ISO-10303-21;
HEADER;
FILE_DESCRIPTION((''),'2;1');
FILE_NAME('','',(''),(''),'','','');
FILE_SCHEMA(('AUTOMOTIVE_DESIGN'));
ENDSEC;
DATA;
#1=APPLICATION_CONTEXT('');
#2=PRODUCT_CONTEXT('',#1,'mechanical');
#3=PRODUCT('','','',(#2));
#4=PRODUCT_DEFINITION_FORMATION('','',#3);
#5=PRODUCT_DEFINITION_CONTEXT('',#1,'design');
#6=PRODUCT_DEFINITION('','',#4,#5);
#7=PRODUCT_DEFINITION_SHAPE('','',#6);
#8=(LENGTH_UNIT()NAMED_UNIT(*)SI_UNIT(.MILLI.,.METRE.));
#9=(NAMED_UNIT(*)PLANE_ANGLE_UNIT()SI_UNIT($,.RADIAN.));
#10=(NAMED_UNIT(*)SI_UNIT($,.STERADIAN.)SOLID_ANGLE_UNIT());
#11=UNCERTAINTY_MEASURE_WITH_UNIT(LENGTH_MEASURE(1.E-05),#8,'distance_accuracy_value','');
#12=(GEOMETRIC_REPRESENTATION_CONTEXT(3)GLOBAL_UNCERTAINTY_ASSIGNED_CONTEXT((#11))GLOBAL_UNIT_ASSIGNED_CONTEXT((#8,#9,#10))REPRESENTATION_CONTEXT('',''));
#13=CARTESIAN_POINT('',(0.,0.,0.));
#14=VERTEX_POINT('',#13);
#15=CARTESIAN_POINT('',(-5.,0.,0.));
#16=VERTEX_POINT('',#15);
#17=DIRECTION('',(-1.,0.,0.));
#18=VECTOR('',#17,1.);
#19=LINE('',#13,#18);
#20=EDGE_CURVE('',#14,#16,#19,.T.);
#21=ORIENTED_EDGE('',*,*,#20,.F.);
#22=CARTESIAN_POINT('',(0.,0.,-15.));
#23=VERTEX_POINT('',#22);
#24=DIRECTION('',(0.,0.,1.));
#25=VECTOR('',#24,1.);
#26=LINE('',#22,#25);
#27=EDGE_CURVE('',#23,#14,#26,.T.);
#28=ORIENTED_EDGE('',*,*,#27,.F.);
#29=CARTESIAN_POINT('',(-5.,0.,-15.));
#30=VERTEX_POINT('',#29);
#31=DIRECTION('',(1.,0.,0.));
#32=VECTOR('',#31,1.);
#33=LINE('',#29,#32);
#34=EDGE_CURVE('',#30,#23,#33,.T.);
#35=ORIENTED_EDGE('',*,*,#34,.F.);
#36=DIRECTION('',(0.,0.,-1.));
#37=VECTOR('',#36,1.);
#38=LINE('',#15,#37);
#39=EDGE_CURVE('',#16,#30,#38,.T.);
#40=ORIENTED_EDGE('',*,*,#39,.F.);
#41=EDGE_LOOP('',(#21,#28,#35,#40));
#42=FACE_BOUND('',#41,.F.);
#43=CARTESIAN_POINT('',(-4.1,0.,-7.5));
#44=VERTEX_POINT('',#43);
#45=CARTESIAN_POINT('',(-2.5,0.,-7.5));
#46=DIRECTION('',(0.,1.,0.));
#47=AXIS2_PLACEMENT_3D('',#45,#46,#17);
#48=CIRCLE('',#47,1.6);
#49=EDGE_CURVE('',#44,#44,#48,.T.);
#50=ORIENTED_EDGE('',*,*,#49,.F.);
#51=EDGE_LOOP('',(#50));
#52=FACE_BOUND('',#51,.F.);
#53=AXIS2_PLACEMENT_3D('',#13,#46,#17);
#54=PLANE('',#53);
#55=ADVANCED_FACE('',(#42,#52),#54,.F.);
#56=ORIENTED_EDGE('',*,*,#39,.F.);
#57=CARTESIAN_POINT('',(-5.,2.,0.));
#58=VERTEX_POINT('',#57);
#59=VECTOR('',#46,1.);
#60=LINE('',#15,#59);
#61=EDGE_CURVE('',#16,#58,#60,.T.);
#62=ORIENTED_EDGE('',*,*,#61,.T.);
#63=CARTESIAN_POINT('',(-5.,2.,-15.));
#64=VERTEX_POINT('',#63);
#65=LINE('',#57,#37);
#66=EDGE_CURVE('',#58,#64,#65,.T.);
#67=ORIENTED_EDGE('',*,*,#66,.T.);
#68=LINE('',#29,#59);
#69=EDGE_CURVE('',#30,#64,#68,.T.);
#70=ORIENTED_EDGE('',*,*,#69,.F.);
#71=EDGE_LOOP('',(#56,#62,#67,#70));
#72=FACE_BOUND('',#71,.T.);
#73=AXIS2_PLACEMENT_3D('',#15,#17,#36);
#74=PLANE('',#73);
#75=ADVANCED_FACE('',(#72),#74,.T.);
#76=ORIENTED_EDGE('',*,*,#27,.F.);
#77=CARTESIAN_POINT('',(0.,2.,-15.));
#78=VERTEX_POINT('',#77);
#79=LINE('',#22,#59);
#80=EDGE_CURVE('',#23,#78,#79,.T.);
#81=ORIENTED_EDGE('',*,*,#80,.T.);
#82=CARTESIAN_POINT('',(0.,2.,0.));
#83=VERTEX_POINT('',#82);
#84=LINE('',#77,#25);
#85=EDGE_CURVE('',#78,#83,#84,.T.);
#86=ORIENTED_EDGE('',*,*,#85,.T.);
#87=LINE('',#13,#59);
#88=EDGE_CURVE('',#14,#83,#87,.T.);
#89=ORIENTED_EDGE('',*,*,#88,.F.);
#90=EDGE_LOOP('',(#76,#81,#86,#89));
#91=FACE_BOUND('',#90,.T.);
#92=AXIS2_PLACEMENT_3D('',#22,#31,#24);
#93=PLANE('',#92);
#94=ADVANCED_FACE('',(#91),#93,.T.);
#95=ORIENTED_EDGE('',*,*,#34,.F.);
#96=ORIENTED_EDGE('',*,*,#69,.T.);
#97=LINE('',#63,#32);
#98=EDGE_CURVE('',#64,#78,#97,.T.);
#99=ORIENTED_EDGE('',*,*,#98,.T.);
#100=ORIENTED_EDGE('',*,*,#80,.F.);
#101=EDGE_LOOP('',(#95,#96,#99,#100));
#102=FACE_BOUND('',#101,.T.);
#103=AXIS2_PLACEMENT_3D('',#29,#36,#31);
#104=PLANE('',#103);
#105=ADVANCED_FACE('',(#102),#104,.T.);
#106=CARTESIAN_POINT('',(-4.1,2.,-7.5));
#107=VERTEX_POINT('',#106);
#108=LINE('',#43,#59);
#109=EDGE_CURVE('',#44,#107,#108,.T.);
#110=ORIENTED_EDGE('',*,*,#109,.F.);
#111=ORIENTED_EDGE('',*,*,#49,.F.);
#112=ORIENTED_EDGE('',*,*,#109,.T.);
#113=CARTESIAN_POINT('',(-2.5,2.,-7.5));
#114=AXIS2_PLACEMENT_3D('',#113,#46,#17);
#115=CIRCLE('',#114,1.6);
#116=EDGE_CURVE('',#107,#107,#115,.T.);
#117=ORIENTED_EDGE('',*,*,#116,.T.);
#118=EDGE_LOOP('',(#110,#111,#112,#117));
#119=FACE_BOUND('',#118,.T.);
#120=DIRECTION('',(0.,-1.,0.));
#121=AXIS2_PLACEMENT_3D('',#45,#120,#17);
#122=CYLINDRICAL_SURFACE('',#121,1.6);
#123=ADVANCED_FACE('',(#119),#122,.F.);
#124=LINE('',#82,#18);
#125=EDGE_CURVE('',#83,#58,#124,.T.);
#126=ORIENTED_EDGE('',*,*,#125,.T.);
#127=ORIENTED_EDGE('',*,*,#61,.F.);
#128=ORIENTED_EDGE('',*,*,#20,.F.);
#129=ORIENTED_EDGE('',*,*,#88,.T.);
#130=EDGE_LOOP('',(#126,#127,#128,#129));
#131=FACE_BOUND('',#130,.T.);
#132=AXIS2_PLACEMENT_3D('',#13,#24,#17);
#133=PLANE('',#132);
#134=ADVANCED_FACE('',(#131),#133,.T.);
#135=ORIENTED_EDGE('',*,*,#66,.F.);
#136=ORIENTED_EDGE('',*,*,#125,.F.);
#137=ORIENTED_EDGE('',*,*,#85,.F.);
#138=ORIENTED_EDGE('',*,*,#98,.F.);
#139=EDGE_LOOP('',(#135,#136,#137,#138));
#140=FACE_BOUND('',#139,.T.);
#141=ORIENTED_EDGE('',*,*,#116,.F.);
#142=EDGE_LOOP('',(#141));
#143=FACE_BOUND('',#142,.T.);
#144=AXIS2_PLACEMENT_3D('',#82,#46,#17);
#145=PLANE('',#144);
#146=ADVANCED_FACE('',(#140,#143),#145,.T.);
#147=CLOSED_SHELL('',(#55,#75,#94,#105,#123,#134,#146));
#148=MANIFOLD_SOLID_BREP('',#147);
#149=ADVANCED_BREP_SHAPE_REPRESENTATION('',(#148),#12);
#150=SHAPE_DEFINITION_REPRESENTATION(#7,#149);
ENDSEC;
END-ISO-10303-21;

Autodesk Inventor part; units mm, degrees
ref_plane "YZ Plane" through (0, 0, 0) normal (1, 0, 0) x (0, 1, 0)
ref_plane "XZ Plane" through (0, 0, 0) normal (0, 1, 0) x (-1, 0, 0)
ref_plane "XY Plane" through (0, 0, 0) normal (0, 0, 1) x (1, 0, 0)
sketch "Sketch1" plane through (0, 0, 0) normal (0, 1, 0) x (-1, 0, 0)
  line L0 (0, 0) -> (5, 0)
  line L1 (5, 0) -> (5, -15)
  line L2 (5, -15) -> (0, -15)
  line L3 (0, -15) -> (0, 0)
  circle A0 centre (2.5, -7.5) radius 1.6
  dimension "d0" = 5
  dimension "d1" = 15
  dimension "d2" = 3.2
  dimension "d3" = 7.5
  dimension "d4" = 2.5
extrude "Extrusion1" add sketch "Sketch1" along normal blind 2
properties part number "support_axe_aileron"
